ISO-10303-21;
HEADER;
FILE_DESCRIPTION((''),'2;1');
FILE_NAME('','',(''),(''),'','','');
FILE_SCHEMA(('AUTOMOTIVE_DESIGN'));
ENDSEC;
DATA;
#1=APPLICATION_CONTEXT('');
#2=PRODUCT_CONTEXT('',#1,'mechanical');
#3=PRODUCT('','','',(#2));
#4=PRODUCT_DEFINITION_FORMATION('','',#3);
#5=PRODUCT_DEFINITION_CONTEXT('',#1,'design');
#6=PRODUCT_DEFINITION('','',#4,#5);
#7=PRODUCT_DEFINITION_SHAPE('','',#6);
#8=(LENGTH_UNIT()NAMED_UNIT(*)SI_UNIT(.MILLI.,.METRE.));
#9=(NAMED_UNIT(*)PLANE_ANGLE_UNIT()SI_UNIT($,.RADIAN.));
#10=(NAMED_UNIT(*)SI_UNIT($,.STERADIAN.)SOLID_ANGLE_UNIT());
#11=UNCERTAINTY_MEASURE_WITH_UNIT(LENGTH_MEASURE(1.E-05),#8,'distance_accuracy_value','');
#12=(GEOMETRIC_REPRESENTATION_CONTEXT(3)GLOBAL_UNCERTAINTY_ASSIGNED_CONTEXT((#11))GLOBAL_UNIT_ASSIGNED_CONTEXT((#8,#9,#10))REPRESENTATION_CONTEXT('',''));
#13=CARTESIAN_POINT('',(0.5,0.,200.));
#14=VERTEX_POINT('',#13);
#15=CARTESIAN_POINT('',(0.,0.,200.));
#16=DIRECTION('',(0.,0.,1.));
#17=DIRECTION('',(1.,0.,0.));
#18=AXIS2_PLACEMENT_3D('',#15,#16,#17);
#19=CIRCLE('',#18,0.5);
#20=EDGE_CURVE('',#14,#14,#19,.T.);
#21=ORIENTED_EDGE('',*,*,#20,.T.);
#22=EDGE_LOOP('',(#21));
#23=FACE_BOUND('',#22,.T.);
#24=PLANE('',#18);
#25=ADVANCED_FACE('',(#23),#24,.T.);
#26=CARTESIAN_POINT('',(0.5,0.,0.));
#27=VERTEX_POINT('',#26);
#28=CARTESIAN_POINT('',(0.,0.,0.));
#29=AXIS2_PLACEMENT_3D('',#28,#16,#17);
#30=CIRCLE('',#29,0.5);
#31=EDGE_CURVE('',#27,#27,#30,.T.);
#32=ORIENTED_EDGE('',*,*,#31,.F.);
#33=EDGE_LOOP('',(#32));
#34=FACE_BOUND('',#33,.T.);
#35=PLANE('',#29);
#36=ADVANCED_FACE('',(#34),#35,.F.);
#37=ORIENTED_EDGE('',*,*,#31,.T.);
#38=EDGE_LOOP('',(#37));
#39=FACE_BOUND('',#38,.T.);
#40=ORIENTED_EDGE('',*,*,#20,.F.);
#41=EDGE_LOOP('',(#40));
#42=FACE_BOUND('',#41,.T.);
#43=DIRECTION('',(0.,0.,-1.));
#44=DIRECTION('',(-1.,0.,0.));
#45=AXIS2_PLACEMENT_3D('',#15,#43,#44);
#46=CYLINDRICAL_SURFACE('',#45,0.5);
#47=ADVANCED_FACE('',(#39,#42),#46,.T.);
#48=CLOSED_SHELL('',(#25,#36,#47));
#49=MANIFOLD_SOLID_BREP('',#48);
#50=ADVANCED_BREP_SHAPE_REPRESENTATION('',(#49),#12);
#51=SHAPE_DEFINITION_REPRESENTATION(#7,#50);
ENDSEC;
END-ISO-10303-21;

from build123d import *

# Parameters (mm, degrees)
SKETCH_1_R      = 0.5
EXTRUDE_1_DEPTH = 200


with BuildPart() as part:
    # Эскиз1 → Бобышка-Вытянуть1 (new body)
    with BuildSketch(Plane.XY):
        Circle(SKETCH_1_R)
    extrude(amount=EXTRUDE_1_DEPTH)


solid = part.part
